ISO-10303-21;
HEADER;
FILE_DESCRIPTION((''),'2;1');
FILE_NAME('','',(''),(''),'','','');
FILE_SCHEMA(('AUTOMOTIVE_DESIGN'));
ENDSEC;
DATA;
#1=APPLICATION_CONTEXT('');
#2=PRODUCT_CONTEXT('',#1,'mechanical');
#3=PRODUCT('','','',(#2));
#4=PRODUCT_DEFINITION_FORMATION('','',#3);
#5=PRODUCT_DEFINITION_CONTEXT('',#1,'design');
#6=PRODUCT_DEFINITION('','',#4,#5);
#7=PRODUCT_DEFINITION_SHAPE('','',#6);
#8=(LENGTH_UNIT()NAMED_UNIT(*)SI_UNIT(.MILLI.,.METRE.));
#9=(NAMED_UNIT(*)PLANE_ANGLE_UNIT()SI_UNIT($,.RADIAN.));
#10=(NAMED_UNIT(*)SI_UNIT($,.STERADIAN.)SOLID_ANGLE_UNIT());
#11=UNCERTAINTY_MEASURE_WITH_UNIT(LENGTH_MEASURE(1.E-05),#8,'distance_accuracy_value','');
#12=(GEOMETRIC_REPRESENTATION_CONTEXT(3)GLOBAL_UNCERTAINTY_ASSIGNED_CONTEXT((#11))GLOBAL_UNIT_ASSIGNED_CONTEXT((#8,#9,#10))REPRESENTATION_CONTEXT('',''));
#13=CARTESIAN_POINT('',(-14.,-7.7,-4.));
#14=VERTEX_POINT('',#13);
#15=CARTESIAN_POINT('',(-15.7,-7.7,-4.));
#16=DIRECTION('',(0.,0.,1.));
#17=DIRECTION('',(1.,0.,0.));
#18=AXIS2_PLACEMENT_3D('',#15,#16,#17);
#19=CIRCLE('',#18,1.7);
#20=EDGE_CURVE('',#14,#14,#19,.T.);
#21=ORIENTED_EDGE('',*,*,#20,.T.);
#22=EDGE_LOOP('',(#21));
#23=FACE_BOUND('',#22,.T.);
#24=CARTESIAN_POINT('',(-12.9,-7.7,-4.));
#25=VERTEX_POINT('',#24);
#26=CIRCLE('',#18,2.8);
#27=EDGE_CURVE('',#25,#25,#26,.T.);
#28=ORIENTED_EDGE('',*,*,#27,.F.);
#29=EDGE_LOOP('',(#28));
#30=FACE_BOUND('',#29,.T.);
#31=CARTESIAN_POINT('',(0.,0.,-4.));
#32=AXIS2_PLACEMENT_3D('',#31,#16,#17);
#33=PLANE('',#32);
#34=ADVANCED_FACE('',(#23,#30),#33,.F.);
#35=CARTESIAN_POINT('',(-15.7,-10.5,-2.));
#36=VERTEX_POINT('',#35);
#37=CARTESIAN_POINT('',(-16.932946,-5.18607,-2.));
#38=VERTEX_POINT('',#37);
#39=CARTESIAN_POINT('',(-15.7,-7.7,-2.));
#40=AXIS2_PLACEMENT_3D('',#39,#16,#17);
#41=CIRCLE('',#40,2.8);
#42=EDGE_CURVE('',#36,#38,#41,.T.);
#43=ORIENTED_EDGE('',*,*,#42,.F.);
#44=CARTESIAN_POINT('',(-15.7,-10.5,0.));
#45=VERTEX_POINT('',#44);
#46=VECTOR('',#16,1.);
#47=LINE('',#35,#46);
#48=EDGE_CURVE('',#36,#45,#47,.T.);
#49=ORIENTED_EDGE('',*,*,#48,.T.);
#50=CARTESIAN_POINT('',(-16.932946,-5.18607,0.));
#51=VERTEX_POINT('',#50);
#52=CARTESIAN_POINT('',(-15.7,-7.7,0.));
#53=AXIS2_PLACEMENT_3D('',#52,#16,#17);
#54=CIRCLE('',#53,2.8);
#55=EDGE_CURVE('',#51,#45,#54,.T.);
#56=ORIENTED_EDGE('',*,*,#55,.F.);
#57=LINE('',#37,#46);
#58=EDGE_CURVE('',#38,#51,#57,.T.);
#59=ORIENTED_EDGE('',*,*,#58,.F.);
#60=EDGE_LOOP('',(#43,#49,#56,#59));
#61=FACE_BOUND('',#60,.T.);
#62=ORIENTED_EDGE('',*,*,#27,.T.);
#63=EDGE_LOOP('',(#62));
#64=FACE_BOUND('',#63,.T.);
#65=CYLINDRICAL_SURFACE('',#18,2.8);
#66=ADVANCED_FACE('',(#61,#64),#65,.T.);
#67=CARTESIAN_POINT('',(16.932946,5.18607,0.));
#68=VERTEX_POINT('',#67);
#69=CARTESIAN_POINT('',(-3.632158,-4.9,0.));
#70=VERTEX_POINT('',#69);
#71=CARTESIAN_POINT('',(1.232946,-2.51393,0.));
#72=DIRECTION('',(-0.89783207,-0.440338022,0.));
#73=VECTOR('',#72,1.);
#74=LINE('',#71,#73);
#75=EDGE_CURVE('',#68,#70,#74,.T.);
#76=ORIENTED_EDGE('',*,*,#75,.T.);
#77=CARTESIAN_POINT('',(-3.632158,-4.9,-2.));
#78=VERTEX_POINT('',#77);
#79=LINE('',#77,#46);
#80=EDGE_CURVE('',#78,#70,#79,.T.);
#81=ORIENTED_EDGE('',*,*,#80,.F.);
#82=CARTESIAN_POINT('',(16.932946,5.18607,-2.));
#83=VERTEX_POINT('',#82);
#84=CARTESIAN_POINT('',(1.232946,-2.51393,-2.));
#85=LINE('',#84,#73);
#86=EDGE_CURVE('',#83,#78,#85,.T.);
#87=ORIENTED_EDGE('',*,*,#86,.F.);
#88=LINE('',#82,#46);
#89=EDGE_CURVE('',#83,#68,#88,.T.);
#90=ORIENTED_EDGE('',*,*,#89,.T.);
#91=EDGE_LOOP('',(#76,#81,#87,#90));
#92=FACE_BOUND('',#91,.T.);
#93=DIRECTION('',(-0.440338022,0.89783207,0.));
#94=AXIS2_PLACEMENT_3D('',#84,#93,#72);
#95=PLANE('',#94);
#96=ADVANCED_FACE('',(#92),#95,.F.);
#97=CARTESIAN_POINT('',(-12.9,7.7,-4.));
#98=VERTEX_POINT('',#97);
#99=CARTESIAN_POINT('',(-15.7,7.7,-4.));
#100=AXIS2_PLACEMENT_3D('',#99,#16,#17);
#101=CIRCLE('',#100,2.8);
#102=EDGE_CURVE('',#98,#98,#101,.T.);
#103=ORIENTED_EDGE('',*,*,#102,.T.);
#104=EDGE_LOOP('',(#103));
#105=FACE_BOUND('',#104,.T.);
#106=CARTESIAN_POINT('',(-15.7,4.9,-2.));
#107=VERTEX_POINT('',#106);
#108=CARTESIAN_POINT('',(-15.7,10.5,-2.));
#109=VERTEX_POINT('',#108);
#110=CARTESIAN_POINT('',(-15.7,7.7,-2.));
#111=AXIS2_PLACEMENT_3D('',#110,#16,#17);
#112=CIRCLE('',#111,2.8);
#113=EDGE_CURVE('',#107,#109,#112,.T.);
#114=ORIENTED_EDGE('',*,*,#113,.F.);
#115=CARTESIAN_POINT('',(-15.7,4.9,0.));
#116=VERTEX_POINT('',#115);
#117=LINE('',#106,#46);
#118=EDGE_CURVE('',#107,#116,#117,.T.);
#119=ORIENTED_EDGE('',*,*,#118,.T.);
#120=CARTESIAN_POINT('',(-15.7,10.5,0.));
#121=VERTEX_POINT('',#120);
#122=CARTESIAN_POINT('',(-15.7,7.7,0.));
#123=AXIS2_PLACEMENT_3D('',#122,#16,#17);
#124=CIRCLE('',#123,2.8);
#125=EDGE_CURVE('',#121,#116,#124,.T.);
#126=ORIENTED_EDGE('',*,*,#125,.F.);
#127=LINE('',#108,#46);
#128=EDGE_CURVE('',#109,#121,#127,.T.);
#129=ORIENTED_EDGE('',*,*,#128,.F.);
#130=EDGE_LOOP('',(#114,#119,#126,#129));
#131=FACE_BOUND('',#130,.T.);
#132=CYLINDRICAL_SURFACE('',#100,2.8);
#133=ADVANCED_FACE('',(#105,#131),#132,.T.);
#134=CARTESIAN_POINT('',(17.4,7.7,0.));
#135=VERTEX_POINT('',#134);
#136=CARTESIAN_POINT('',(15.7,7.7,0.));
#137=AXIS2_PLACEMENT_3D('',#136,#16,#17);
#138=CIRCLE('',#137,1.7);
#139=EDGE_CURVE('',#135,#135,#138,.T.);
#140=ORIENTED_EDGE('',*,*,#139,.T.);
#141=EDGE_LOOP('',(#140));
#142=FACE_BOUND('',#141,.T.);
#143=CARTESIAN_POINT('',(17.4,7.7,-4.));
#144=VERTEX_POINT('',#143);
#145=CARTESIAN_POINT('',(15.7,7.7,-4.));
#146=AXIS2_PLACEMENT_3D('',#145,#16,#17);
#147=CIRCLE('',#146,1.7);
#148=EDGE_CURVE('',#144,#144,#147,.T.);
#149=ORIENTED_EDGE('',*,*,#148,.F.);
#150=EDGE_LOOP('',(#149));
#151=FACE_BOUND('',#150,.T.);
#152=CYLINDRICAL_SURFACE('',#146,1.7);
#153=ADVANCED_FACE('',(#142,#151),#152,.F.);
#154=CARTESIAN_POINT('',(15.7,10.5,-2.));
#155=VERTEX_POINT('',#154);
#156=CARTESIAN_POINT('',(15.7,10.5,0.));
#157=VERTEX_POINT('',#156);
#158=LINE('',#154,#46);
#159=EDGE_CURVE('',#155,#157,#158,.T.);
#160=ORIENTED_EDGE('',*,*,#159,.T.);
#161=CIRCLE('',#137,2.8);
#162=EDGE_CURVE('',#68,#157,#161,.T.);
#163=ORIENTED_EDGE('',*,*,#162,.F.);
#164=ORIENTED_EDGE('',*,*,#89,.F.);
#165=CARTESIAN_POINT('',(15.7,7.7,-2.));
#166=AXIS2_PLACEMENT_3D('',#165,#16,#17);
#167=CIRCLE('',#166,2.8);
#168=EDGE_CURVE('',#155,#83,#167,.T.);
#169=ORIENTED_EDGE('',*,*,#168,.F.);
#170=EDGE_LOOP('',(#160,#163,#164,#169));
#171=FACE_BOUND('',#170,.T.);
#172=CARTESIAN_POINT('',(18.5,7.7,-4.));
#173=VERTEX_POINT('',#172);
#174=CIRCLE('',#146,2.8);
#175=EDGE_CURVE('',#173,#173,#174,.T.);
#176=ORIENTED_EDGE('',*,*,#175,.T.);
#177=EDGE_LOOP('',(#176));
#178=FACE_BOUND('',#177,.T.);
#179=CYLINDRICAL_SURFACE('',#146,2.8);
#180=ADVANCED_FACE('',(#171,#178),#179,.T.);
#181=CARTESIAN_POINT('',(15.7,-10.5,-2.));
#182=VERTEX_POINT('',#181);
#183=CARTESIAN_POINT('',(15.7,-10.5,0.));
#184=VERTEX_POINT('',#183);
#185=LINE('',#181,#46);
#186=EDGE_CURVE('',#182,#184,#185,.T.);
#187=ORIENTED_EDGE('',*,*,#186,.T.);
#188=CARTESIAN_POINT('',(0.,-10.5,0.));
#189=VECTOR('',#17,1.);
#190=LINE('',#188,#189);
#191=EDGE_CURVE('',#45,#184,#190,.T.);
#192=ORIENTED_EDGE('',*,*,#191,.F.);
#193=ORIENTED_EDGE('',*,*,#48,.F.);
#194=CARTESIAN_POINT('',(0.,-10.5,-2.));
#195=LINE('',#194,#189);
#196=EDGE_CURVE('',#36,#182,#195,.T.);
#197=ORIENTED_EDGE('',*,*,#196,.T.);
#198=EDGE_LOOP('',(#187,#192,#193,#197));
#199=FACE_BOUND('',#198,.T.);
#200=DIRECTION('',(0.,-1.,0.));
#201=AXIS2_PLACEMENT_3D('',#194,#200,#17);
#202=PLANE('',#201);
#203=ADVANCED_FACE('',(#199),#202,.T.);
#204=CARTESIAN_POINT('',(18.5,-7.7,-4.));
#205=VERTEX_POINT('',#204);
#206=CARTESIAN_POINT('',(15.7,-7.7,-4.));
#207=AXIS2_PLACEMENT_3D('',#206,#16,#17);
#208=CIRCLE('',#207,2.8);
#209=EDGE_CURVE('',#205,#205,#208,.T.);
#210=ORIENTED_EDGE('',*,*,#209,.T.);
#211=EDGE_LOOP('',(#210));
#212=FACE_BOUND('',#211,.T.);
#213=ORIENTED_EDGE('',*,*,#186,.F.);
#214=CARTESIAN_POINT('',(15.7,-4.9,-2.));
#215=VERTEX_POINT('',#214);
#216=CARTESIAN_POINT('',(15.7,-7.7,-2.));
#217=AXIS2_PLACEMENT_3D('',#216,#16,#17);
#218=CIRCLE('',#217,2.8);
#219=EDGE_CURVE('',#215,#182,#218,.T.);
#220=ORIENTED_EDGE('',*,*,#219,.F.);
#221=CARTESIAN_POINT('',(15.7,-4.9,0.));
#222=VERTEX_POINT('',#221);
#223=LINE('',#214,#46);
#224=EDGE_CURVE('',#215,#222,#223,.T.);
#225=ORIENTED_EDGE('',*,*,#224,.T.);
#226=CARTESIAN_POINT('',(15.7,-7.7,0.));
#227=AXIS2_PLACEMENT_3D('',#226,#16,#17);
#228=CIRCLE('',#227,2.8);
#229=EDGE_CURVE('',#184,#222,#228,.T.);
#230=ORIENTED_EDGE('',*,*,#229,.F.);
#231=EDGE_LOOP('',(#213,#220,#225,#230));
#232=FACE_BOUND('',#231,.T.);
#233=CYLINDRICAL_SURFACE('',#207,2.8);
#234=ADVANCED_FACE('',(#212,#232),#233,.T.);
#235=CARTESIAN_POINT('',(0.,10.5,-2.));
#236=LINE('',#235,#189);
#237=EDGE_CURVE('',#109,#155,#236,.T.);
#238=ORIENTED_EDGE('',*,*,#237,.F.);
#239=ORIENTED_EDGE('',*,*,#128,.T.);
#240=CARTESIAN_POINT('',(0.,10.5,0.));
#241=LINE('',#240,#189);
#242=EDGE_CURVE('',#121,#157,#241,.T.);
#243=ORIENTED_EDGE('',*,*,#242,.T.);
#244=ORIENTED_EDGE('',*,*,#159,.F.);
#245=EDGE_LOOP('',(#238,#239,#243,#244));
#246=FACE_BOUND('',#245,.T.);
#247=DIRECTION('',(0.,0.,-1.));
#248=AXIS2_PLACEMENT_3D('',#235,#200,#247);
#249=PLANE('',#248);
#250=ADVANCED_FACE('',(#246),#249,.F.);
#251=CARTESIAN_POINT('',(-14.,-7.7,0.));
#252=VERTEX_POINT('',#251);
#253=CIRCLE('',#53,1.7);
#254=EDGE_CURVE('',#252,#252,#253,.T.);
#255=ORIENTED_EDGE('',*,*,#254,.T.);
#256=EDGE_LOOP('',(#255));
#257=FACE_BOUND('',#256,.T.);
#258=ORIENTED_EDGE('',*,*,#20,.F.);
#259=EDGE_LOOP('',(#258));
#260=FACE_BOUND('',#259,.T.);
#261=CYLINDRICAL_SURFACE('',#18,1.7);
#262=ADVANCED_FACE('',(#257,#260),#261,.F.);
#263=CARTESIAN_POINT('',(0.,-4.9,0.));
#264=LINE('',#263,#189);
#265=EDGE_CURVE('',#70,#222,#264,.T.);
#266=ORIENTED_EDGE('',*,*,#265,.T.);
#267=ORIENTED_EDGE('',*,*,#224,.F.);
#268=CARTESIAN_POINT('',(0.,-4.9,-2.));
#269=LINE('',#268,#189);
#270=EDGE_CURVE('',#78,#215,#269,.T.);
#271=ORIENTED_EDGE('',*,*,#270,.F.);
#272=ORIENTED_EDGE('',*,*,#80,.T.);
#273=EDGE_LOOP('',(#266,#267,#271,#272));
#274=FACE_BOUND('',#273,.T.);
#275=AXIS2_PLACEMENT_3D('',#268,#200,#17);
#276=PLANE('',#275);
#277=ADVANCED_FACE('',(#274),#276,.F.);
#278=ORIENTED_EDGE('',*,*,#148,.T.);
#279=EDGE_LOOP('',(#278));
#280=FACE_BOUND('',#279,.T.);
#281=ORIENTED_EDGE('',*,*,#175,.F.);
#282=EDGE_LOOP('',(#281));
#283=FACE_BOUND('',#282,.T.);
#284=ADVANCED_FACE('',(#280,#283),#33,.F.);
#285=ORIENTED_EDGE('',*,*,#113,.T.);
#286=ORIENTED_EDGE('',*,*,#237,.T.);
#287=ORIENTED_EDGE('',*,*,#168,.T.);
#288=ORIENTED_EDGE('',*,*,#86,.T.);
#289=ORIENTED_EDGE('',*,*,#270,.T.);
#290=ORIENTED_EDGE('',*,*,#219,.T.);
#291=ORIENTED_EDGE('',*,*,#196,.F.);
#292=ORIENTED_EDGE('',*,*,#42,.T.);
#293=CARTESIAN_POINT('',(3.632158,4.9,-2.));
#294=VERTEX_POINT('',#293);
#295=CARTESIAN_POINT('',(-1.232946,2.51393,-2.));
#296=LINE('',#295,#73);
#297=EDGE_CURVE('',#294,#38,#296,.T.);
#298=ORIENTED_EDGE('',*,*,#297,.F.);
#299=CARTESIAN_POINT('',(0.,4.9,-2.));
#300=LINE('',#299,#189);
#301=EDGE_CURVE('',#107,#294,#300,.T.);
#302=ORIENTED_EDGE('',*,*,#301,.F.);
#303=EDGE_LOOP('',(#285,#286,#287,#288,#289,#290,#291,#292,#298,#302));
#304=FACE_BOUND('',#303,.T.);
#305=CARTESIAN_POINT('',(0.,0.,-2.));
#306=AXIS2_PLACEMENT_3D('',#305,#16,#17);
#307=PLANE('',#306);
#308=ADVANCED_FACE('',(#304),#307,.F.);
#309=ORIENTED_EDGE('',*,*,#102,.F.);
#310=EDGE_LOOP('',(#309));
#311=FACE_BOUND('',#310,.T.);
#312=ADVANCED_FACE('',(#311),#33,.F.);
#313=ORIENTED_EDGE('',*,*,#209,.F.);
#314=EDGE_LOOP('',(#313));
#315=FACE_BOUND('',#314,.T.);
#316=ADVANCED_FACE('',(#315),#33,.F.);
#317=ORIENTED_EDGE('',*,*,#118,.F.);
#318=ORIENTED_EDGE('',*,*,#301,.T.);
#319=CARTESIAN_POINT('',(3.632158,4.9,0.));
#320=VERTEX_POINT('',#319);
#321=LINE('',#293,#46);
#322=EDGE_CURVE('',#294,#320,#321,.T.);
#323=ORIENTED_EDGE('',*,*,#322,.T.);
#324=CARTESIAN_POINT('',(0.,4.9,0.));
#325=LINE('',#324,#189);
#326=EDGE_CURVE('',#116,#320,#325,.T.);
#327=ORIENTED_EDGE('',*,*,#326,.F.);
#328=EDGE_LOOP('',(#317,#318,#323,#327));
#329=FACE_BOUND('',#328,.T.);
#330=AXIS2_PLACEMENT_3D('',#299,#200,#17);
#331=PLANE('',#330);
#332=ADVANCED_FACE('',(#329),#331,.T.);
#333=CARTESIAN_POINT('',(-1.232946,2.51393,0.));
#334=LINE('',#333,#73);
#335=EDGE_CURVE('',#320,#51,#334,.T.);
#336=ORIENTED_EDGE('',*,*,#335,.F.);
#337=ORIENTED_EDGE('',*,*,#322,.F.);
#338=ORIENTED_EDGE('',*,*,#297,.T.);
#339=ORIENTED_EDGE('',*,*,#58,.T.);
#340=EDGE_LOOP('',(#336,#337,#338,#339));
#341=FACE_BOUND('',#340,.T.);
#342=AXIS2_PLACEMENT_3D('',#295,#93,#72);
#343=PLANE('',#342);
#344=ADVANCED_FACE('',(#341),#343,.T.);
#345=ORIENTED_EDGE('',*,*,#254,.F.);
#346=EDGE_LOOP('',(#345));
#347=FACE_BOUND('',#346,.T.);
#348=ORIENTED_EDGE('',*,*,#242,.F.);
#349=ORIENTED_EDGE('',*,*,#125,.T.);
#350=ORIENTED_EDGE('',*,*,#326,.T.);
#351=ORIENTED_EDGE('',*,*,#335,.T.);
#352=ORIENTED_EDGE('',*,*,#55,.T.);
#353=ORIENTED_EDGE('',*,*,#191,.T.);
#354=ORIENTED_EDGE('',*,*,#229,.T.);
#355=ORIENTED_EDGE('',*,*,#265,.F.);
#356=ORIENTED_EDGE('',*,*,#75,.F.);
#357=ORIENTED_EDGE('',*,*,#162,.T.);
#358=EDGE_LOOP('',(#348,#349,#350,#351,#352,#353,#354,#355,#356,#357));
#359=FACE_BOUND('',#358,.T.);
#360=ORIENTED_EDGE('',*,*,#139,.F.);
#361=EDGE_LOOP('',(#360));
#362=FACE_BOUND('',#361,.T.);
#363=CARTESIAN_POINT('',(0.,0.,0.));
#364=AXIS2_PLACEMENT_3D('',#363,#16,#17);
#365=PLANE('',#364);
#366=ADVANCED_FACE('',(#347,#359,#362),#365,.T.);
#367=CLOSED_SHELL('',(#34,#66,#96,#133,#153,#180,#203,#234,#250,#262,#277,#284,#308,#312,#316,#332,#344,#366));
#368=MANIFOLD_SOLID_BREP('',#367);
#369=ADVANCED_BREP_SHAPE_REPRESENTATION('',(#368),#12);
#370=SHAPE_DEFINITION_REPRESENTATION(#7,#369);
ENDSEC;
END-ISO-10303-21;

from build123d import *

# Parameters (mm, degrees)
EXTRUDE_1007_DEPTH = 2
SKETCH_1_5_R       = 2.8
SKETCH_1_5_R_2     = 1.7
EXTRUDE_1109_DEPTH = 4


with BuildPart() as part:
    # Эскиз1 → Extrude 1007 (new body)
    with BuildSketch(Plane.XY):
        with BuildLine():
            Line((15.7, 10.5), (-15.7, 10.5))
            ThreePointArc((-15.7, 10.5), (-13.720101013, 9.679898987), (-12.9, 7.7))
            ThreePointArc((-12.9, 7.7), (-13.720101013, 5.720101013), (-15.7, 4.9))
            Line((-15.7, 4.9), (3.632157719, 4.9))
            Line((3.632157719, 4.9), (-16.932946461, -5.186070203))
            ThreePointArc((-16.932946461, -5.186070203), (-14.218826494, -5.323842378), (-12.9, -7.7))
            ThreePointArc((-12.9, -7.7), (-13.720101013, -9.679898987), (-15.7, -10.5))
            Line((-15.7, -10.5), (15.7, -10.5))
            ThreePointArc((15.7, -10.5), (12.9, -7.7), (15.7, -4.9))
            Line((15.7, -4.9), (-3.632157719, -4.9))
            Line((-3.632157719, -4.9), (16.932946461, 5.186070203))
            ThreePointArc((16.932946461, 5.186070203), (12.972455002, 7.067150662), (15.7, 10.5))
        make_face()
    extrude(amount=-EXTRUDE_1007_DEPTH)

    # Эскиз1<5> → Extrude 1109 (add)
    # profile 1 of 4: a face of its own
    with BuildSketch(Plane.XY):
        with Locations((15.7, 7.7)):
            Circle(SKETCH_1_5_R)
        with Locations((15.7, 7.7)):
            Circle(SKETCH_1_5_R_2, mode=Mode.SUBTRACT)
    # profile 2 of 4: a face of its own
    with BuildSketch(Plane.XY):
        with Locations((15.7, -7.7)):
            Circle(SKETCH_1_5_R)
    # profile 3 of 4: a face of its own
    with BuildSketch(Plane.XY):
        with Locations((-15.7, -7.7)):
            Circle(SKETCH_1_5_R)
        with Locations((-15.7, -7.7)):
            Circle(SKETCH_1_5_R_2, mode=Mode.SUBTRACT)
    # profile 4 of 4: a face of its own
    with BuildSketch(Plane.XY):
        with Locations((-15.7, 7.7)):
            Circle(SKETCH_1_5_R)
    extrude(amount=-EXTRUDE_1109_DEPTH)


solid = part.part
